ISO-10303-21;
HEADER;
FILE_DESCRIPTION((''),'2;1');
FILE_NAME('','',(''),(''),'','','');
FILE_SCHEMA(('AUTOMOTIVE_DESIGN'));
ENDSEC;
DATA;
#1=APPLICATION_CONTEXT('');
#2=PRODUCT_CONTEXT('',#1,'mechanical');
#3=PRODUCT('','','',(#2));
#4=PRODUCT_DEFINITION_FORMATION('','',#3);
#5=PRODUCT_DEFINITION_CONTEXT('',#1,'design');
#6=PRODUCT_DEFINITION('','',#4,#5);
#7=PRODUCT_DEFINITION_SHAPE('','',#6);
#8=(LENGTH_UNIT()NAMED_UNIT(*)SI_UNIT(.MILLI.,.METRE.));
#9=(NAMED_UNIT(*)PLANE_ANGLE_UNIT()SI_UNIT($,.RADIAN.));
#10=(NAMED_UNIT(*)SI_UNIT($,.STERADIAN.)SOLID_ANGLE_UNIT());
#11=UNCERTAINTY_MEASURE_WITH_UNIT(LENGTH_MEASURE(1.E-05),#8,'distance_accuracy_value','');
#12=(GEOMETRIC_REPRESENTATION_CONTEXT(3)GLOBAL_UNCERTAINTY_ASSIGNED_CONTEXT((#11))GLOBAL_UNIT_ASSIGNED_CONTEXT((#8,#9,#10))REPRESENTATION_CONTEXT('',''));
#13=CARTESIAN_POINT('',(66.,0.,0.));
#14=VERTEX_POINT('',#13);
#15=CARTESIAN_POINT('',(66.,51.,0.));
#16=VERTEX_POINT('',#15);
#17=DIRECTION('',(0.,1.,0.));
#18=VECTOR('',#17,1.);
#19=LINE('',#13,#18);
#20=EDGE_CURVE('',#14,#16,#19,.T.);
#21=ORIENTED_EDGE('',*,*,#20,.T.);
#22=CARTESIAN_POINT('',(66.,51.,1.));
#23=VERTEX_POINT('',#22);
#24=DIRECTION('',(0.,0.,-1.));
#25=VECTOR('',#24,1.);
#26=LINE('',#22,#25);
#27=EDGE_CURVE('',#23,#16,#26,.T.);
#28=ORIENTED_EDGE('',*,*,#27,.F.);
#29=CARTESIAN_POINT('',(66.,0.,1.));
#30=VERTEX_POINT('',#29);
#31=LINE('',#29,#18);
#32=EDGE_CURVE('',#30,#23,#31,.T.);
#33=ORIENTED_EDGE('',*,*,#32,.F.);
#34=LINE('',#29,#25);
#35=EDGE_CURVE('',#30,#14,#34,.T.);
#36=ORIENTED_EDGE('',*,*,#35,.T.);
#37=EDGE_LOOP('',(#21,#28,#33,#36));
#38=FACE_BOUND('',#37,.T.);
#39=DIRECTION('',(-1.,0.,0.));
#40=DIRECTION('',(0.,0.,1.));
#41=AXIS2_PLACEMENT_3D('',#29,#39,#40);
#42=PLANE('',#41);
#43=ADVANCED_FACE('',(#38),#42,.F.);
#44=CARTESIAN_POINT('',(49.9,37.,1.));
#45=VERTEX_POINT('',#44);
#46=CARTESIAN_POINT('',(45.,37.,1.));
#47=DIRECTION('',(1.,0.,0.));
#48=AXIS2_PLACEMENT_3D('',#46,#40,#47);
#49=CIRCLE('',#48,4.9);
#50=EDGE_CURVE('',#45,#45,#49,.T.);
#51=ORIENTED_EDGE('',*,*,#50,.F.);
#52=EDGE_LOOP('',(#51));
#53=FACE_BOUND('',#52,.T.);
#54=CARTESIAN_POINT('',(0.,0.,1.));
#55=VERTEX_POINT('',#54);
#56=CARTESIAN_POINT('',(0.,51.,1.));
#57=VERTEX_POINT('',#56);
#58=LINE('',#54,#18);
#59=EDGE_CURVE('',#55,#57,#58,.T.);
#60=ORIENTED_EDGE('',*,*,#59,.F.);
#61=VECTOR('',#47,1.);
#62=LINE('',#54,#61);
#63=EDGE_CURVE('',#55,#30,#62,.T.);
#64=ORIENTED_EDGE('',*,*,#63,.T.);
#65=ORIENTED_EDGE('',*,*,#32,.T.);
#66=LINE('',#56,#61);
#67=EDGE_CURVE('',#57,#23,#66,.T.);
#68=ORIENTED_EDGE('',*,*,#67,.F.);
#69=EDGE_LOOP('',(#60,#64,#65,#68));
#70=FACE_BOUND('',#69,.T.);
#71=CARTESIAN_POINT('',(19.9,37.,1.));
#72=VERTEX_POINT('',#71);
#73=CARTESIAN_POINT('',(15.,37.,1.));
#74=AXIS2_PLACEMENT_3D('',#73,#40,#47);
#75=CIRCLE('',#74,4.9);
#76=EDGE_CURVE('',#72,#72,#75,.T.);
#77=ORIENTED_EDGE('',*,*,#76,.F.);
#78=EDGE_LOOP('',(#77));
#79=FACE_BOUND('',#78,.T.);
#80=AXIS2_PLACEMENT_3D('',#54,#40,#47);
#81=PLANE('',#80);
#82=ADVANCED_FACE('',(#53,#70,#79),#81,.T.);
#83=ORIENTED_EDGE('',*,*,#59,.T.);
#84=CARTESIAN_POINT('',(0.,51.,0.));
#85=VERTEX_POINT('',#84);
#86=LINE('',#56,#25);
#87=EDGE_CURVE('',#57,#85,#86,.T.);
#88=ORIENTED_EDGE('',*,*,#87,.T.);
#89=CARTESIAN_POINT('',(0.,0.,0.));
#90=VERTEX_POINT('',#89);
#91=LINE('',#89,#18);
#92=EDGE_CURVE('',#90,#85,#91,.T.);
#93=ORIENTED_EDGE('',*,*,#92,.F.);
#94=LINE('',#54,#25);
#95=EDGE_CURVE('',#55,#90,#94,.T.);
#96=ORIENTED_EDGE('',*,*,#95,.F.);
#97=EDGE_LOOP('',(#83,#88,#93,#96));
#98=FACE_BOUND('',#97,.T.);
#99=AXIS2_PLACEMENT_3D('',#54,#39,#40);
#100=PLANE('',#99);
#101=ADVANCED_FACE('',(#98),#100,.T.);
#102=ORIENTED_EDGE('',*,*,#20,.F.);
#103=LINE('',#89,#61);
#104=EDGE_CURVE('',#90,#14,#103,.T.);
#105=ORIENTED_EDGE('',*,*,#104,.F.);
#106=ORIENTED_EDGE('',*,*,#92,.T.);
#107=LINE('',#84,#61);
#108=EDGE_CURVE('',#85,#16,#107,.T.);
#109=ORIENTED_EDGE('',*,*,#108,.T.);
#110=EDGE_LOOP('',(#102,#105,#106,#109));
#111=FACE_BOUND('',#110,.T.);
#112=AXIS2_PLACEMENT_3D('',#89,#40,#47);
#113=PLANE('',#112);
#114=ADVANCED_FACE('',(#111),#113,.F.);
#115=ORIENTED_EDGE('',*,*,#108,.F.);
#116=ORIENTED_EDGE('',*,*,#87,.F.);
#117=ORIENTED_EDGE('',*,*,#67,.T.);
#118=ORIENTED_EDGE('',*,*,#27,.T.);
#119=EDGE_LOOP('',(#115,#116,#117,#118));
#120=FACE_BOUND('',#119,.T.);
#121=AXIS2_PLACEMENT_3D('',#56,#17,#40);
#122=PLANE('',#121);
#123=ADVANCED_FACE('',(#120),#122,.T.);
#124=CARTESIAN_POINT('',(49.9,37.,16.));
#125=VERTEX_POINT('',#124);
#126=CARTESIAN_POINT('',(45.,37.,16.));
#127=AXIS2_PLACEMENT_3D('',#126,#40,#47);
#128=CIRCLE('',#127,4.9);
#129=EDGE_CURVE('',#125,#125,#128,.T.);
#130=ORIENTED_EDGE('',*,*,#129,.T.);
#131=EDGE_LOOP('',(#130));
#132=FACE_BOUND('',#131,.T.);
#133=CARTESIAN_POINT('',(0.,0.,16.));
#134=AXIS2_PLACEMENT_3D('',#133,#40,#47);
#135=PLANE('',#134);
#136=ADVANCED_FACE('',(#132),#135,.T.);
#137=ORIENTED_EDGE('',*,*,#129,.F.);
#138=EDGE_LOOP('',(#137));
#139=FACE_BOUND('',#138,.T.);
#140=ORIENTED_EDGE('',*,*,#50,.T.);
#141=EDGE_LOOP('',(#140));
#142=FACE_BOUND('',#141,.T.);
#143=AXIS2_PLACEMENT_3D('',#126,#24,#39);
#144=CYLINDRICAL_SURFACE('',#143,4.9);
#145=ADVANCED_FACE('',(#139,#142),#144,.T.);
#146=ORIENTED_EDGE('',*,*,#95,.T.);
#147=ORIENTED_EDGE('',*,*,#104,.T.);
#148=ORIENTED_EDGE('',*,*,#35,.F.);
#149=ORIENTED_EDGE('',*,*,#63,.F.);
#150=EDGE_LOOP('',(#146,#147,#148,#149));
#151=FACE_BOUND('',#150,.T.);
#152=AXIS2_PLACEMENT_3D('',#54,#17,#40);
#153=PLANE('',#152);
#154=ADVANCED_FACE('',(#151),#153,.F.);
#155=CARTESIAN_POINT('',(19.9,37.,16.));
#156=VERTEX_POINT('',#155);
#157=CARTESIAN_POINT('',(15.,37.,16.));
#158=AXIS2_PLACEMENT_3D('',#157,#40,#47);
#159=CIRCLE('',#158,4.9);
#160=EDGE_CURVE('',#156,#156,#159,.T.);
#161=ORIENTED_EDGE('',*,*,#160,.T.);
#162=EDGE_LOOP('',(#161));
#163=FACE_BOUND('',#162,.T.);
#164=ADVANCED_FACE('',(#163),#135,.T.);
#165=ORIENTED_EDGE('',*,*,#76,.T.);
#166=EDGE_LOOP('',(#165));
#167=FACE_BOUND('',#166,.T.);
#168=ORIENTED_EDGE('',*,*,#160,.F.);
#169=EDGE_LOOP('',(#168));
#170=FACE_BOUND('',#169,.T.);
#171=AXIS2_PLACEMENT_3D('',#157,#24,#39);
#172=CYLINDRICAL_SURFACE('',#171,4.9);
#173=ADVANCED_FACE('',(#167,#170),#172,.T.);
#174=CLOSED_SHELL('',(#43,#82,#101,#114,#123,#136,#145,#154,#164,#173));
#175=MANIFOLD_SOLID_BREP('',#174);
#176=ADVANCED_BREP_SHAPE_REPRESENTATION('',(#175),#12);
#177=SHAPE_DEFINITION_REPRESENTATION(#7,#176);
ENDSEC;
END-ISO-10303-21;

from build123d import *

# Parameters (mm, degrees)
ESQUISSE2_W        = 66
ESQUISSE2_H        = 51
ESQUISSE2_R        = 6
ESQUISSE2_W_2      = 20
ESQUISSE2_H_2      = 41
ESQUISSE2_R_2      = 4.9
BOSS_EXTRU_1_DEPTH = 1
ESQUISSE4_R        = 4.9
BOSS_EXTRU_2_DEPTH = 15


with BuildPart() as part:
    # Esquisse2 → Boss.-Extru.1 (new body)
    # profile 1 of 5: a face of its own
    with BuildSketch(Plane.XY):
        with Locations((33, 25.5)):
            Rectangle(ESQUISSE2_W, ESQUISSE2_H)
        with Locations((55, 37)):
            Circle(ESQUISSE2_R, mode=Mode.SUBTRACT)
        with Locations((15, 25.5)):
            Rectangle(ESQUISSE2_W_2, ESQUISSE2_H_2, mode=Mode.SUBTRACT)
    # profile 2 of 5: a face of its own
    with BuildSketch(Plane.XY):
        with Locations((15, 25.5)):
            Rectangle(ESQUISSE2_W_2, ESQUISSE2_H_2)
        with Locations((15, 37)):
            Circle(ESQUISSE2_R_2, mode=Mode.SUBTRACT)
    # profile 3 of 5: a face of its own
    with BuildSketch(Plane.XY):
        with Locations((15, 37)):
            Circle(ESQUISSE2_R_2)
    # profile 4 of 5: a face of its own
    with BuildSketch(Plane.XY):
        with Locations((55, 37)):
            Circle(ESQUISSE2_R)
        with Locations((55, 37)):
            Circle(ESQUISSE2_R_2, mode=Mode.SUBTRACT)
    # profile 5 of 5: a face of its own
    with BuildSketch(Plane.XY):
        with Locations((55, 37)):
            Circle(ESQUISSE2_R_2)
    extrude(amount=BOSS_EXTRU_1_DEPTH)

    # Esquisse4 → Boss.-Extru.2 (add)
    with BuildSketch(Plane.XY.offset(1)):
        with Locations((15, 37)):
            Circle(ESQUISSE4_R)
        with Locations((45, 37)):
            Circle(ESQUISSE4_R)
    extrude(amount=BOSS_EXTRU_2_DEPTH)


solid = part.part
